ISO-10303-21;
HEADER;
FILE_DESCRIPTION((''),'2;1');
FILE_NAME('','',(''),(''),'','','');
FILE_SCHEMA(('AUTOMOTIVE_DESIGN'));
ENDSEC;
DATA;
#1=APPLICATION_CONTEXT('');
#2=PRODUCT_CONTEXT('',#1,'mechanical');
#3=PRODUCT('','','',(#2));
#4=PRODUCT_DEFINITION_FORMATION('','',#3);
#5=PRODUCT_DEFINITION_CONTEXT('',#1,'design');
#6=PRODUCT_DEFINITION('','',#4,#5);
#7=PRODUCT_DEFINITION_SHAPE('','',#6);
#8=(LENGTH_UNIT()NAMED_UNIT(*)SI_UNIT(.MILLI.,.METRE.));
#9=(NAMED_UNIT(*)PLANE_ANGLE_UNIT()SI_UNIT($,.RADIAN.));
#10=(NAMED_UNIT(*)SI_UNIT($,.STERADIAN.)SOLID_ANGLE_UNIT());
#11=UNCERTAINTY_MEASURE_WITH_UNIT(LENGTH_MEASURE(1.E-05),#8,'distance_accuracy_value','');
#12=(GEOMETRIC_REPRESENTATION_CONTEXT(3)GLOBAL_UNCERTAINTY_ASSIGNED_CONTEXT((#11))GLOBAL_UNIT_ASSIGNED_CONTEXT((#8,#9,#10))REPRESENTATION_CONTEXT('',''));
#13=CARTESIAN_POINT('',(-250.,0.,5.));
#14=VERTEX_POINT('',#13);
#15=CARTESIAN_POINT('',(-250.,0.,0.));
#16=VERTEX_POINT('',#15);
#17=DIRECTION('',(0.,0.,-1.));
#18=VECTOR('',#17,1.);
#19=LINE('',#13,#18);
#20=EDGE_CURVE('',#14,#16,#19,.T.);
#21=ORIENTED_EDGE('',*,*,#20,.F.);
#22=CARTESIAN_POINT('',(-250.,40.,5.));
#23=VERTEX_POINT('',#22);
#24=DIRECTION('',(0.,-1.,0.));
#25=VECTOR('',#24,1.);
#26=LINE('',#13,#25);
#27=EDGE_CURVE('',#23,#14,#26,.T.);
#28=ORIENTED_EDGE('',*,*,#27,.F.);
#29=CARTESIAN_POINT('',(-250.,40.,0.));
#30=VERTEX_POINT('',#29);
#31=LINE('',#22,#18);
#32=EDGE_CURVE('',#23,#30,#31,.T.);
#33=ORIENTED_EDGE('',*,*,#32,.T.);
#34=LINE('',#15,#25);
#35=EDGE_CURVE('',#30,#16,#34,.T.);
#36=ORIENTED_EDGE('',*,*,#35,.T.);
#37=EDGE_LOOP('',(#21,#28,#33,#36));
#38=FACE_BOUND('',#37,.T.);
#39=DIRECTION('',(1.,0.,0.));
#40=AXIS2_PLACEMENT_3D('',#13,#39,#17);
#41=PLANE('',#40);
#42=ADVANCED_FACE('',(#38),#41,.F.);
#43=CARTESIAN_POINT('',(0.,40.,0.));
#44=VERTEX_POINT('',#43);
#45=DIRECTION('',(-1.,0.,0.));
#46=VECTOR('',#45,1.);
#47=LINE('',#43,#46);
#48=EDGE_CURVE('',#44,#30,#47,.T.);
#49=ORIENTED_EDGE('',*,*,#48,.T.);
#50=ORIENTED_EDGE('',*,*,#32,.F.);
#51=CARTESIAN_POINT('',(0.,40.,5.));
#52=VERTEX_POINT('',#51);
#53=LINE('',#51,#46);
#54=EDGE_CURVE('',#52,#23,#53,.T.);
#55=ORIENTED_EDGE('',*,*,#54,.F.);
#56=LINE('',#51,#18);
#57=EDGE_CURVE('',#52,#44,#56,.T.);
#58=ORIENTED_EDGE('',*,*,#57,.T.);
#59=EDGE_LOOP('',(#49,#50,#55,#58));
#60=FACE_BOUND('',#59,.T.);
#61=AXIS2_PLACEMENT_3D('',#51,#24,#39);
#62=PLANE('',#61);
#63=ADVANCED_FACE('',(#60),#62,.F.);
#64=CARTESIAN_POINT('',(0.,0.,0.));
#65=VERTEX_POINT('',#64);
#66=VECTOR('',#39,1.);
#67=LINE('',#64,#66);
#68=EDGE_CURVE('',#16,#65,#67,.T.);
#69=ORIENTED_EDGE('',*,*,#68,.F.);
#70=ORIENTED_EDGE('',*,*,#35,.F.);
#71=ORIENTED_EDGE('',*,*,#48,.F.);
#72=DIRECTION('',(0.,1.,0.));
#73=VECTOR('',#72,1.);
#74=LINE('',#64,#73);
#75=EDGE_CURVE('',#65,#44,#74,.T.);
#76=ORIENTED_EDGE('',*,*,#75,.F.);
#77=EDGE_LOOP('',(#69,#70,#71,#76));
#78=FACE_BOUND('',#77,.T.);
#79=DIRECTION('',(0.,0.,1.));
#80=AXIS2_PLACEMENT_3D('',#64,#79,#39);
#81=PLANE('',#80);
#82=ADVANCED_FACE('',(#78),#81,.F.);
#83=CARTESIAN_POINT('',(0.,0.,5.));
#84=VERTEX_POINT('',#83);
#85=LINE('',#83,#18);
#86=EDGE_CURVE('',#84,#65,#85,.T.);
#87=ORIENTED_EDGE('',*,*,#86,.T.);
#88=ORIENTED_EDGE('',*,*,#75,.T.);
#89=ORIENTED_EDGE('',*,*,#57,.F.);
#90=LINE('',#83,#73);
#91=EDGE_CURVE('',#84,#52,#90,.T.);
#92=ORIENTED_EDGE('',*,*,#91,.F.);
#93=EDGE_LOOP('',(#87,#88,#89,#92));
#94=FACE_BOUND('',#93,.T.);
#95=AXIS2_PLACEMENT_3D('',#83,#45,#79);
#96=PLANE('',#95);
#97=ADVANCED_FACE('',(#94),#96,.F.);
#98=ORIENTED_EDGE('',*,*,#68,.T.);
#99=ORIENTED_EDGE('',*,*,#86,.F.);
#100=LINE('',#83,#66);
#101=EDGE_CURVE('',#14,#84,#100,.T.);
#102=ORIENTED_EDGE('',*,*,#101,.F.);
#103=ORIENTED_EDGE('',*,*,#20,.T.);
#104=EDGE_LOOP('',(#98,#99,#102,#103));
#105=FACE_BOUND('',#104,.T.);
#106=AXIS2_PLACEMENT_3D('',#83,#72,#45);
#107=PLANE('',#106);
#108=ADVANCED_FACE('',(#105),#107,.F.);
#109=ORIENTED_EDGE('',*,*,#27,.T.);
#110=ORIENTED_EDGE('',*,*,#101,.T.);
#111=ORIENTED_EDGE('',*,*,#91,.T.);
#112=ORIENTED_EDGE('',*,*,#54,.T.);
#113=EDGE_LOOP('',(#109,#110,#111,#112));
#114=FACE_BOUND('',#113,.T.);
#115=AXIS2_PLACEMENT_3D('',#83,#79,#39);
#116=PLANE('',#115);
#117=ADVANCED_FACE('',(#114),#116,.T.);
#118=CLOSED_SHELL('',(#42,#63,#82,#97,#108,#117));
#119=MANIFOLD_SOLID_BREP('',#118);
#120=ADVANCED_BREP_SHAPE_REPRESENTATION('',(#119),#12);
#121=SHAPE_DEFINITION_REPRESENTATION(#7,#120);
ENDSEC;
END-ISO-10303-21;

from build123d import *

# Parameters (mm, degrees)
ESQUISSE1_W        = 250
ESQUISSE1_H        = 40
BOSS_EXTRU_1_DEPTH = 5


with BuildPart() as part:
    # Esquisse1 → Boss.-Extru.1 (new body)
    with BuildSketch(Plane.XY):
        with Locations((-125, 20)):
            Rectangle(ESQUISSE1_W, ESQUISSE1_H)
    extrude(amount=BOSS_EXTRU_1_DEPTH)


solid = part.part
